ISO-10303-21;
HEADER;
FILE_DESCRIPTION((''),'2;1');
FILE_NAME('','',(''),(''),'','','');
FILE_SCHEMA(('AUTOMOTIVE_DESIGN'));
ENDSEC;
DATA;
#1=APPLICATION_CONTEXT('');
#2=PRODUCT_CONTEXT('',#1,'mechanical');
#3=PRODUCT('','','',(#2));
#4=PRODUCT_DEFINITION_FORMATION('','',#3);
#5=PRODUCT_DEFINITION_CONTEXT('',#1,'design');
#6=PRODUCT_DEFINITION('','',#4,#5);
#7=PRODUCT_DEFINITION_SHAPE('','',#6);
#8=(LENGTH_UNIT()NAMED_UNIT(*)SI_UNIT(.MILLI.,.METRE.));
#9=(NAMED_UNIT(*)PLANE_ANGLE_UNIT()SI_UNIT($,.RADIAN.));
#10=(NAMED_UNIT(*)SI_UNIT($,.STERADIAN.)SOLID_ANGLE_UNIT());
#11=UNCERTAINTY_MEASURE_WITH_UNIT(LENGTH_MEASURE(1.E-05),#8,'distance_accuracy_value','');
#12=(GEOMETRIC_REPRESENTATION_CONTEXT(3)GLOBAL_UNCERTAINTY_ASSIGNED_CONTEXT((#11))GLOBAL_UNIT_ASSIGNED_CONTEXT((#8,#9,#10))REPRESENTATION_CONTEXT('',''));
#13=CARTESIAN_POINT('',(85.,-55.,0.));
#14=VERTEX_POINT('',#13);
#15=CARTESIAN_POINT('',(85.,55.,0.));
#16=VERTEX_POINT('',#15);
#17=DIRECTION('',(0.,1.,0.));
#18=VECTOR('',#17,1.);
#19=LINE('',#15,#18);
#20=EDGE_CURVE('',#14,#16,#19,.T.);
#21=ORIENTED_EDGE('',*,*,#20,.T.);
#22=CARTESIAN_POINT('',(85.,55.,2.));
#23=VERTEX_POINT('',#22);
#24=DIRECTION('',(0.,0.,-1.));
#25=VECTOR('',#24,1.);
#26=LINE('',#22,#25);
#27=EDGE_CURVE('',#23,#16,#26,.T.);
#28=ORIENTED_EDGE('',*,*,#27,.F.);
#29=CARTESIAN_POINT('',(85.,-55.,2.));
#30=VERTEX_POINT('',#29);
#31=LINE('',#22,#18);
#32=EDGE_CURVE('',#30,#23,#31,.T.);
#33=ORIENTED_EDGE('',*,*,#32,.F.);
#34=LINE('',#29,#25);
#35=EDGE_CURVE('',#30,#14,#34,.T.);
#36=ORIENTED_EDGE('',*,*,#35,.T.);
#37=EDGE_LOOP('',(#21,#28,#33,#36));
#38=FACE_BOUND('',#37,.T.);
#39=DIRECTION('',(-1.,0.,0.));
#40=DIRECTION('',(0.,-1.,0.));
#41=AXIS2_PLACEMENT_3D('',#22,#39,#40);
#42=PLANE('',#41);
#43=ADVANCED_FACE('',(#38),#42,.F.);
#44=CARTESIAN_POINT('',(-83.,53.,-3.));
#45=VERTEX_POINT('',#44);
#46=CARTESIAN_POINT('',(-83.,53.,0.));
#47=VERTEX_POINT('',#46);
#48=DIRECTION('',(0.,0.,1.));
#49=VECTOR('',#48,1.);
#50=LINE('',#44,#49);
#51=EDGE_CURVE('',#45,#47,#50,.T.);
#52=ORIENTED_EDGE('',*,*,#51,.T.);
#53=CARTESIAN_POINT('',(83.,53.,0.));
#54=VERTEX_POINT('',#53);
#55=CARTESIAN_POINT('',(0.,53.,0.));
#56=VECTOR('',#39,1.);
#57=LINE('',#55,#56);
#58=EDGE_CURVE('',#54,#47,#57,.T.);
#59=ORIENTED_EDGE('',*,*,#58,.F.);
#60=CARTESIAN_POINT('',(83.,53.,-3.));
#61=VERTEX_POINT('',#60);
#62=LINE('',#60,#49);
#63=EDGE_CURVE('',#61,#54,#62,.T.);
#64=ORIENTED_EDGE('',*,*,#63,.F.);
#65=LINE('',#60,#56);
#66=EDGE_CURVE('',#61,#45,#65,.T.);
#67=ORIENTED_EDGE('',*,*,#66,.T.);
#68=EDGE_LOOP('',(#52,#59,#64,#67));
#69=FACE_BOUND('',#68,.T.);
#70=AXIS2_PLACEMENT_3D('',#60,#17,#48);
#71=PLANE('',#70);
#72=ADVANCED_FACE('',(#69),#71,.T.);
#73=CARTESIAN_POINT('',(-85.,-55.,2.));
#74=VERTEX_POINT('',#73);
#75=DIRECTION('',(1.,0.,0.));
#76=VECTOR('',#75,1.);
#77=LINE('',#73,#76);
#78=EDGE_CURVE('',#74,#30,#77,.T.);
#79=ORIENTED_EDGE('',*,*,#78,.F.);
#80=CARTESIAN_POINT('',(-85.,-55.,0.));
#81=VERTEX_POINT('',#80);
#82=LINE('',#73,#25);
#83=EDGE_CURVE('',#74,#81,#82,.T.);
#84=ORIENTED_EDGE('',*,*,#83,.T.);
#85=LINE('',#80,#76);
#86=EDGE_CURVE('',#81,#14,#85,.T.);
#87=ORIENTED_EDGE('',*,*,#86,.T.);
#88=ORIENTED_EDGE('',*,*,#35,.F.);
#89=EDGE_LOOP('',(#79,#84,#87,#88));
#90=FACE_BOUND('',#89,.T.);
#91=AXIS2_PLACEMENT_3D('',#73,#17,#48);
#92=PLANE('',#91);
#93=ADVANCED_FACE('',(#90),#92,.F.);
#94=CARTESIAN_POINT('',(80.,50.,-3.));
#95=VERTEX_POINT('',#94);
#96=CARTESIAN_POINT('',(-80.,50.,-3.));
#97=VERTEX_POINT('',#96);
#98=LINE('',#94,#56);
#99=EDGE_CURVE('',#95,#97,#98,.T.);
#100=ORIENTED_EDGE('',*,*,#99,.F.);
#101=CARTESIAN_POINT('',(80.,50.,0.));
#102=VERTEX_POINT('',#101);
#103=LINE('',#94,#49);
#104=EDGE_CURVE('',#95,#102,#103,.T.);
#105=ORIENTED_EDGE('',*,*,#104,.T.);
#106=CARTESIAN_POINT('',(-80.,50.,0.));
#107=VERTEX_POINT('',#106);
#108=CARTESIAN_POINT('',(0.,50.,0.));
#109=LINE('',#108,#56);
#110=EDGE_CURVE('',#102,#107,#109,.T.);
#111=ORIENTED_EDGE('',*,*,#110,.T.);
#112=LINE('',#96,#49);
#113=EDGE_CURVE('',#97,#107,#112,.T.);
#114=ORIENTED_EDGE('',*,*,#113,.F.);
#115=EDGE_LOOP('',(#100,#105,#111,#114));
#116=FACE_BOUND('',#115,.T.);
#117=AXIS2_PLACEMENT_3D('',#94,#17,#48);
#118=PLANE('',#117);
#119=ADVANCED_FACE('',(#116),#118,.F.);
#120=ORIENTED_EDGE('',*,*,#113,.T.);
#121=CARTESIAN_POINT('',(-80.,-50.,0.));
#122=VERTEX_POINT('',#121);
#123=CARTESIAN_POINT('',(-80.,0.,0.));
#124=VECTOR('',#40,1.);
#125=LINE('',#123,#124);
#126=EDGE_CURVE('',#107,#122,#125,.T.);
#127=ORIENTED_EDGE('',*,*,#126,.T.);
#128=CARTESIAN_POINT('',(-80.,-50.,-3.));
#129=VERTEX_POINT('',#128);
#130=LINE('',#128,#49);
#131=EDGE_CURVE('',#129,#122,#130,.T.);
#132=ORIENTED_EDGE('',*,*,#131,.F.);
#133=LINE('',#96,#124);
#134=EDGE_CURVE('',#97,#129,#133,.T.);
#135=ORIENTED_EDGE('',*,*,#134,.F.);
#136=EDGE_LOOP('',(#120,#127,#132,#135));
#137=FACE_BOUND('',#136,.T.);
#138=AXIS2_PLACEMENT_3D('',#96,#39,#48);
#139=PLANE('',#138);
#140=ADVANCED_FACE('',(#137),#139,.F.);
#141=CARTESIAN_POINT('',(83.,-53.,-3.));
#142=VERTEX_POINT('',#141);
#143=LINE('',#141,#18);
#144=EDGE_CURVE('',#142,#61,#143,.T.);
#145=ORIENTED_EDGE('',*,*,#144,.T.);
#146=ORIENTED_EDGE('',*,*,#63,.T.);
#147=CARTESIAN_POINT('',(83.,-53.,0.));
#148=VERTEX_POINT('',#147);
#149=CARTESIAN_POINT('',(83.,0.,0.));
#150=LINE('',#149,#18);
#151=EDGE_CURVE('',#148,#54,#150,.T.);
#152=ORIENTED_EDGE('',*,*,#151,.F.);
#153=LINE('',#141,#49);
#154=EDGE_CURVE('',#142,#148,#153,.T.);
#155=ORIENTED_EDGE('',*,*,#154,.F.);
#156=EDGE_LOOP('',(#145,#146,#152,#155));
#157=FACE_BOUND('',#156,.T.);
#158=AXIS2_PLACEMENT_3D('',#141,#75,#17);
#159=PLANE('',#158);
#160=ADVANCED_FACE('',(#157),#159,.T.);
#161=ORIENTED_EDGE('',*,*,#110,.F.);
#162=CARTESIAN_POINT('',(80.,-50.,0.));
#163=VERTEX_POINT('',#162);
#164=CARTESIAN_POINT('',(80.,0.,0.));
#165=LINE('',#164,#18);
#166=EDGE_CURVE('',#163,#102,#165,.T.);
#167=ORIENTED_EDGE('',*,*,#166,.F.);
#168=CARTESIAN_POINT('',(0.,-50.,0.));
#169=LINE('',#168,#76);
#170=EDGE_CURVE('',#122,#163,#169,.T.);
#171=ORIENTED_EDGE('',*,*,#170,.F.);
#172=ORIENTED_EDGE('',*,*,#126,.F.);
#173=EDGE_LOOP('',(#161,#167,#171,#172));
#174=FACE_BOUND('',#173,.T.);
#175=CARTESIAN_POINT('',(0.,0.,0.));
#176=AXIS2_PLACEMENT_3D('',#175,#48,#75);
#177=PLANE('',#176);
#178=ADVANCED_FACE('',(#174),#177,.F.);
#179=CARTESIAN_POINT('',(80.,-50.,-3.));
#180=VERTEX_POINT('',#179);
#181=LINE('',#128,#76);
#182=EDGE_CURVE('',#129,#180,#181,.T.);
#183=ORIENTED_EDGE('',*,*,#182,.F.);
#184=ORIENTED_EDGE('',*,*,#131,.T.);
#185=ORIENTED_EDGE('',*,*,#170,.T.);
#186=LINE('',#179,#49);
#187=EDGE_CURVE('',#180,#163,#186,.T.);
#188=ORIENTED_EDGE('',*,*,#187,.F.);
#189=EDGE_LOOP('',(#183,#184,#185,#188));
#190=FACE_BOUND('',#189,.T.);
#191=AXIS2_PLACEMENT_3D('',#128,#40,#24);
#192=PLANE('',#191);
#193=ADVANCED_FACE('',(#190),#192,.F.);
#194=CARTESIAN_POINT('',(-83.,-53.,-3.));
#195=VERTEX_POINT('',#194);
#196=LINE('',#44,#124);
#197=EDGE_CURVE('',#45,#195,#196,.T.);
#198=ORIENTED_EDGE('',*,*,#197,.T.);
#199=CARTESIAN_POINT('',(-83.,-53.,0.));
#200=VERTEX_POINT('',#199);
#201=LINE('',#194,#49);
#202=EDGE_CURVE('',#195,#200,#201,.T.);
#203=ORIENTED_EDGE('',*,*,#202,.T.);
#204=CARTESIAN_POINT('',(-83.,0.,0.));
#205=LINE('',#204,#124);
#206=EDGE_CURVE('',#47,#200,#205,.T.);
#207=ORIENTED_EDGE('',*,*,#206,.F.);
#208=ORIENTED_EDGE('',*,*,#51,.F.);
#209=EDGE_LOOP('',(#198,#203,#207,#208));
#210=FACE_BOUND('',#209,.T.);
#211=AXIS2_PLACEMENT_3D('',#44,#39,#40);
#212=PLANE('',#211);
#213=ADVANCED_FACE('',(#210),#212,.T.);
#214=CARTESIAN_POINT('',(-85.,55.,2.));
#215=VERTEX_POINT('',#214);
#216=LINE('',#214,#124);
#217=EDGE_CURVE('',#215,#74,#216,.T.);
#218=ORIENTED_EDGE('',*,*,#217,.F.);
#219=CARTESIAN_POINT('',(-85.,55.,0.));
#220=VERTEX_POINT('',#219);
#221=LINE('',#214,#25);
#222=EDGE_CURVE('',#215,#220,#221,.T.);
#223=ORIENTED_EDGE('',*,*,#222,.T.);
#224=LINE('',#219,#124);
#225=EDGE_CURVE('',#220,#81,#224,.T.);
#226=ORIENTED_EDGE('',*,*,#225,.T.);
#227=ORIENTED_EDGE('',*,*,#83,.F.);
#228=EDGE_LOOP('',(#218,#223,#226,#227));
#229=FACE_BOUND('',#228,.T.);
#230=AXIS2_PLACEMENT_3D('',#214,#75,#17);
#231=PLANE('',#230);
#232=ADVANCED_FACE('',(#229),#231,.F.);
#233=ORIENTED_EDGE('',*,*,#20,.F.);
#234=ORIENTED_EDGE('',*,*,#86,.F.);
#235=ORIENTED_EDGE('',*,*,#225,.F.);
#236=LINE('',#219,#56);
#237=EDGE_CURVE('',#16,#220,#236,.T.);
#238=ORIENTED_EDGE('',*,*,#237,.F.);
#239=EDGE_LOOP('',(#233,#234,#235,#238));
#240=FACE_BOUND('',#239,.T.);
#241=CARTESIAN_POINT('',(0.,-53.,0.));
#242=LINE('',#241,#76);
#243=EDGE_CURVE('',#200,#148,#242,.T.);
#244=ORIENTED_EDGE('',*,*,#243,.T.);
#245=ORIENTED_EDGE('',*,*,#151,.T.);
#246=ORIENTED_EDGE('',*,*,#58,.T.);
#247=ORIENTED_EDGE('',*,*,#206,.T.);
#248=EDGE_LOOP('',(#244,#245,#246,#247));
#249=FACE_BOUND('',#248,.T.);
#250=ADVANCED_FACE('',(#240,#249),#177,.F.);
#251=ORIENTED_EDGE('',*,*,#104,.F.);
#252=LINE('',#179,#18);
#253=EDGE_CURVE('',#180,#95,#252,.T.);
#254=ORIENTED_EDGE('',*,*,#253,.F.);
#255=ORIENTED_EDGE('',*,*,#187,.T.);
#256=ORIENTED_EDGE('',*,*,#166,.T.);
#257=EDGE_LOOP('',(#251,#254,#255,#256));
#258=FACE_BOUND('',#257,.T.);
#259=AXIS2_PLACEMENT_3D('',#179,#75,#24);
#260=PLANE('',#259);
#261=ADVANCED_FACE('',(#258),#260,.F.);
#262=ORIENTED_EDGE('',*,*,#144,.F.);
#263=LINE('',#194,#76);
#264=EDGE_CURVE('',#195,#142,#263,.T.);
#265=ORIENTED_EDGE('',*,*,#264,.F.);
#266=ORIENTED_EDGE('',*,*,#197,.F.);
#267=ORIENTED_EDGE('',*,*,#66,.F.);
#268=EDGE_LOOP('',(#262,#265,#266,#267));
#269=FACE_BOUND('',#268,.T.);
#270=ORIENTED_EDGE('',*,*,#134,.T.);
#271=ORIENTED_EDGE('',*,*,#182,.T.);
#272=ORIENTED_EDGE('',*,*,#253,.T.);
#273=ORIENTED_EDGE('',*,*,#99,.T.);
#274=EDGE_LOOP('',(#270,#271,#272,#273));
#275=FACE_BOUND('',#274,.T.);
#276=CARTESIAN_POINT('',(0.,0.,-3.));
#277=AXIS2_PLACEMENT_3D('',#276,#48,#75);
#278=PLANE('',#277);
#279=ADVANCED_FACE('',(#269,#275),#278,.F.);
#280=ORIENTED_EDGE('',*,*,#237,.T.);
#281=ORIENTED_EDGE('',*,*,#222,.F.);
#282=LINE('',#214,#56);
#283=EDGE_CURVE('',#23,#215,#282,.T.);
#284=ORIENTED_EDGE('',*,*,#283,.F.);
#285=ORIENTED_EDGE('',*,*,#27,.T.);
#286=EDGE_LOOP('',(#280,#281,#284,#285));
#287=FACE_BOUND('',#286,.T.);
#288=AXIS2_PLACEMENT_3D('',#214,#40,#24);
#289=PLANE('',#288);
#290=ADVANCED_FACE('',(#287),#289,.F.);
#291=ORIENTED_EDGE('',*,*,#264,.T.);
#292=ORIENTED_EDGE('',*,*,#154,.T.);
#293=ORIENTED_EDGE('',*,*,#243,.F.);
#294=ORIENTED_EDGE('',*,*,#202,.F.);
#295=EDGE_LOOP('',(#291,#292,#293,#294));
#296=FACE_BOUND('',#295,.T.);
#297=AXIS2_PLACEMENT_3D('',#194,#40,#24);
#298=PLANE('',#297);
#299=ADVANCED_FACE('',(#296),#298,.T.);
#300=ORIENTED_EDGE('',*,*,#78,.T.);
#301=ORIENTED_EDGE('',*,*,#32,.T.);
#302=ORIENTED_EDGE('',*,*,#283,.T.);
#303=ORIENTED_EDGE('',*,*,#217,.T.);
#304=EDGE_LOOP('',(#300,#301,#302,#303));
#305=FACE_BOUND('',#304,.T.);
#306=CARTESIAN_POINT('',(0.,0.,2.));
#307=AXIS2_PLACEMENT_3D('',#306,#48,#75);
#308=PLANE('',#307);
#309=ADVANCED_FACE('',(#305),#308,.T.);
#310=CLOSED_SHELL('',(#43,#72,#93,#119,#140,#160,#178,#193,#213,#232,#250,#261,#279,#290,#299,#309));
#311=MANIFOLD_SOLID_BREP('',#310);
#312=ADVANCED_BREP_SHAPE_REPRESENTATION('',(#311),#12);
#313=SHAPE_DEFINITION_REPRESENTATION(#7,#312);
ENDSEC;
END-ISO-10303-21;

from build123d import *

# Parameters (mm, degrees)
SKETCH1_W           = 170
SKETCH1_H           = 110
BOSS_EXTRUDE1_DEPTH = 2
SKETCH2_W           = 166
SKETCH2_H           = 106
SKETCH2_W_2         = 160
SKETCH2_H_2         = 100
BOSS_EXTRUDE3_DEPTH = 5


with BuildPart() as part:
    # Sketch1 → Boss-Extrude1 (new body)
    with BuildSketch(Plane.XY):
        Rectangle(SKETCH1_W, SKETCH1_H)
    extrude(amount=BOSS_EXTRUDE1_DEPTH)

    # Sketch2 → Boss-Extrude3 (add)
    with BuildSketch(Plane.XY.offset(2)):
        Rectangle(SKETCH2_W, SKETCH2_H)
        Rectangle(SKETCH2_W_2, SKETCH2_H_2, mode=Mode.SUBTRACT)
    extrude(amount=-BOSS_EXTRUDE3_DEPTH)


solid = part.part
